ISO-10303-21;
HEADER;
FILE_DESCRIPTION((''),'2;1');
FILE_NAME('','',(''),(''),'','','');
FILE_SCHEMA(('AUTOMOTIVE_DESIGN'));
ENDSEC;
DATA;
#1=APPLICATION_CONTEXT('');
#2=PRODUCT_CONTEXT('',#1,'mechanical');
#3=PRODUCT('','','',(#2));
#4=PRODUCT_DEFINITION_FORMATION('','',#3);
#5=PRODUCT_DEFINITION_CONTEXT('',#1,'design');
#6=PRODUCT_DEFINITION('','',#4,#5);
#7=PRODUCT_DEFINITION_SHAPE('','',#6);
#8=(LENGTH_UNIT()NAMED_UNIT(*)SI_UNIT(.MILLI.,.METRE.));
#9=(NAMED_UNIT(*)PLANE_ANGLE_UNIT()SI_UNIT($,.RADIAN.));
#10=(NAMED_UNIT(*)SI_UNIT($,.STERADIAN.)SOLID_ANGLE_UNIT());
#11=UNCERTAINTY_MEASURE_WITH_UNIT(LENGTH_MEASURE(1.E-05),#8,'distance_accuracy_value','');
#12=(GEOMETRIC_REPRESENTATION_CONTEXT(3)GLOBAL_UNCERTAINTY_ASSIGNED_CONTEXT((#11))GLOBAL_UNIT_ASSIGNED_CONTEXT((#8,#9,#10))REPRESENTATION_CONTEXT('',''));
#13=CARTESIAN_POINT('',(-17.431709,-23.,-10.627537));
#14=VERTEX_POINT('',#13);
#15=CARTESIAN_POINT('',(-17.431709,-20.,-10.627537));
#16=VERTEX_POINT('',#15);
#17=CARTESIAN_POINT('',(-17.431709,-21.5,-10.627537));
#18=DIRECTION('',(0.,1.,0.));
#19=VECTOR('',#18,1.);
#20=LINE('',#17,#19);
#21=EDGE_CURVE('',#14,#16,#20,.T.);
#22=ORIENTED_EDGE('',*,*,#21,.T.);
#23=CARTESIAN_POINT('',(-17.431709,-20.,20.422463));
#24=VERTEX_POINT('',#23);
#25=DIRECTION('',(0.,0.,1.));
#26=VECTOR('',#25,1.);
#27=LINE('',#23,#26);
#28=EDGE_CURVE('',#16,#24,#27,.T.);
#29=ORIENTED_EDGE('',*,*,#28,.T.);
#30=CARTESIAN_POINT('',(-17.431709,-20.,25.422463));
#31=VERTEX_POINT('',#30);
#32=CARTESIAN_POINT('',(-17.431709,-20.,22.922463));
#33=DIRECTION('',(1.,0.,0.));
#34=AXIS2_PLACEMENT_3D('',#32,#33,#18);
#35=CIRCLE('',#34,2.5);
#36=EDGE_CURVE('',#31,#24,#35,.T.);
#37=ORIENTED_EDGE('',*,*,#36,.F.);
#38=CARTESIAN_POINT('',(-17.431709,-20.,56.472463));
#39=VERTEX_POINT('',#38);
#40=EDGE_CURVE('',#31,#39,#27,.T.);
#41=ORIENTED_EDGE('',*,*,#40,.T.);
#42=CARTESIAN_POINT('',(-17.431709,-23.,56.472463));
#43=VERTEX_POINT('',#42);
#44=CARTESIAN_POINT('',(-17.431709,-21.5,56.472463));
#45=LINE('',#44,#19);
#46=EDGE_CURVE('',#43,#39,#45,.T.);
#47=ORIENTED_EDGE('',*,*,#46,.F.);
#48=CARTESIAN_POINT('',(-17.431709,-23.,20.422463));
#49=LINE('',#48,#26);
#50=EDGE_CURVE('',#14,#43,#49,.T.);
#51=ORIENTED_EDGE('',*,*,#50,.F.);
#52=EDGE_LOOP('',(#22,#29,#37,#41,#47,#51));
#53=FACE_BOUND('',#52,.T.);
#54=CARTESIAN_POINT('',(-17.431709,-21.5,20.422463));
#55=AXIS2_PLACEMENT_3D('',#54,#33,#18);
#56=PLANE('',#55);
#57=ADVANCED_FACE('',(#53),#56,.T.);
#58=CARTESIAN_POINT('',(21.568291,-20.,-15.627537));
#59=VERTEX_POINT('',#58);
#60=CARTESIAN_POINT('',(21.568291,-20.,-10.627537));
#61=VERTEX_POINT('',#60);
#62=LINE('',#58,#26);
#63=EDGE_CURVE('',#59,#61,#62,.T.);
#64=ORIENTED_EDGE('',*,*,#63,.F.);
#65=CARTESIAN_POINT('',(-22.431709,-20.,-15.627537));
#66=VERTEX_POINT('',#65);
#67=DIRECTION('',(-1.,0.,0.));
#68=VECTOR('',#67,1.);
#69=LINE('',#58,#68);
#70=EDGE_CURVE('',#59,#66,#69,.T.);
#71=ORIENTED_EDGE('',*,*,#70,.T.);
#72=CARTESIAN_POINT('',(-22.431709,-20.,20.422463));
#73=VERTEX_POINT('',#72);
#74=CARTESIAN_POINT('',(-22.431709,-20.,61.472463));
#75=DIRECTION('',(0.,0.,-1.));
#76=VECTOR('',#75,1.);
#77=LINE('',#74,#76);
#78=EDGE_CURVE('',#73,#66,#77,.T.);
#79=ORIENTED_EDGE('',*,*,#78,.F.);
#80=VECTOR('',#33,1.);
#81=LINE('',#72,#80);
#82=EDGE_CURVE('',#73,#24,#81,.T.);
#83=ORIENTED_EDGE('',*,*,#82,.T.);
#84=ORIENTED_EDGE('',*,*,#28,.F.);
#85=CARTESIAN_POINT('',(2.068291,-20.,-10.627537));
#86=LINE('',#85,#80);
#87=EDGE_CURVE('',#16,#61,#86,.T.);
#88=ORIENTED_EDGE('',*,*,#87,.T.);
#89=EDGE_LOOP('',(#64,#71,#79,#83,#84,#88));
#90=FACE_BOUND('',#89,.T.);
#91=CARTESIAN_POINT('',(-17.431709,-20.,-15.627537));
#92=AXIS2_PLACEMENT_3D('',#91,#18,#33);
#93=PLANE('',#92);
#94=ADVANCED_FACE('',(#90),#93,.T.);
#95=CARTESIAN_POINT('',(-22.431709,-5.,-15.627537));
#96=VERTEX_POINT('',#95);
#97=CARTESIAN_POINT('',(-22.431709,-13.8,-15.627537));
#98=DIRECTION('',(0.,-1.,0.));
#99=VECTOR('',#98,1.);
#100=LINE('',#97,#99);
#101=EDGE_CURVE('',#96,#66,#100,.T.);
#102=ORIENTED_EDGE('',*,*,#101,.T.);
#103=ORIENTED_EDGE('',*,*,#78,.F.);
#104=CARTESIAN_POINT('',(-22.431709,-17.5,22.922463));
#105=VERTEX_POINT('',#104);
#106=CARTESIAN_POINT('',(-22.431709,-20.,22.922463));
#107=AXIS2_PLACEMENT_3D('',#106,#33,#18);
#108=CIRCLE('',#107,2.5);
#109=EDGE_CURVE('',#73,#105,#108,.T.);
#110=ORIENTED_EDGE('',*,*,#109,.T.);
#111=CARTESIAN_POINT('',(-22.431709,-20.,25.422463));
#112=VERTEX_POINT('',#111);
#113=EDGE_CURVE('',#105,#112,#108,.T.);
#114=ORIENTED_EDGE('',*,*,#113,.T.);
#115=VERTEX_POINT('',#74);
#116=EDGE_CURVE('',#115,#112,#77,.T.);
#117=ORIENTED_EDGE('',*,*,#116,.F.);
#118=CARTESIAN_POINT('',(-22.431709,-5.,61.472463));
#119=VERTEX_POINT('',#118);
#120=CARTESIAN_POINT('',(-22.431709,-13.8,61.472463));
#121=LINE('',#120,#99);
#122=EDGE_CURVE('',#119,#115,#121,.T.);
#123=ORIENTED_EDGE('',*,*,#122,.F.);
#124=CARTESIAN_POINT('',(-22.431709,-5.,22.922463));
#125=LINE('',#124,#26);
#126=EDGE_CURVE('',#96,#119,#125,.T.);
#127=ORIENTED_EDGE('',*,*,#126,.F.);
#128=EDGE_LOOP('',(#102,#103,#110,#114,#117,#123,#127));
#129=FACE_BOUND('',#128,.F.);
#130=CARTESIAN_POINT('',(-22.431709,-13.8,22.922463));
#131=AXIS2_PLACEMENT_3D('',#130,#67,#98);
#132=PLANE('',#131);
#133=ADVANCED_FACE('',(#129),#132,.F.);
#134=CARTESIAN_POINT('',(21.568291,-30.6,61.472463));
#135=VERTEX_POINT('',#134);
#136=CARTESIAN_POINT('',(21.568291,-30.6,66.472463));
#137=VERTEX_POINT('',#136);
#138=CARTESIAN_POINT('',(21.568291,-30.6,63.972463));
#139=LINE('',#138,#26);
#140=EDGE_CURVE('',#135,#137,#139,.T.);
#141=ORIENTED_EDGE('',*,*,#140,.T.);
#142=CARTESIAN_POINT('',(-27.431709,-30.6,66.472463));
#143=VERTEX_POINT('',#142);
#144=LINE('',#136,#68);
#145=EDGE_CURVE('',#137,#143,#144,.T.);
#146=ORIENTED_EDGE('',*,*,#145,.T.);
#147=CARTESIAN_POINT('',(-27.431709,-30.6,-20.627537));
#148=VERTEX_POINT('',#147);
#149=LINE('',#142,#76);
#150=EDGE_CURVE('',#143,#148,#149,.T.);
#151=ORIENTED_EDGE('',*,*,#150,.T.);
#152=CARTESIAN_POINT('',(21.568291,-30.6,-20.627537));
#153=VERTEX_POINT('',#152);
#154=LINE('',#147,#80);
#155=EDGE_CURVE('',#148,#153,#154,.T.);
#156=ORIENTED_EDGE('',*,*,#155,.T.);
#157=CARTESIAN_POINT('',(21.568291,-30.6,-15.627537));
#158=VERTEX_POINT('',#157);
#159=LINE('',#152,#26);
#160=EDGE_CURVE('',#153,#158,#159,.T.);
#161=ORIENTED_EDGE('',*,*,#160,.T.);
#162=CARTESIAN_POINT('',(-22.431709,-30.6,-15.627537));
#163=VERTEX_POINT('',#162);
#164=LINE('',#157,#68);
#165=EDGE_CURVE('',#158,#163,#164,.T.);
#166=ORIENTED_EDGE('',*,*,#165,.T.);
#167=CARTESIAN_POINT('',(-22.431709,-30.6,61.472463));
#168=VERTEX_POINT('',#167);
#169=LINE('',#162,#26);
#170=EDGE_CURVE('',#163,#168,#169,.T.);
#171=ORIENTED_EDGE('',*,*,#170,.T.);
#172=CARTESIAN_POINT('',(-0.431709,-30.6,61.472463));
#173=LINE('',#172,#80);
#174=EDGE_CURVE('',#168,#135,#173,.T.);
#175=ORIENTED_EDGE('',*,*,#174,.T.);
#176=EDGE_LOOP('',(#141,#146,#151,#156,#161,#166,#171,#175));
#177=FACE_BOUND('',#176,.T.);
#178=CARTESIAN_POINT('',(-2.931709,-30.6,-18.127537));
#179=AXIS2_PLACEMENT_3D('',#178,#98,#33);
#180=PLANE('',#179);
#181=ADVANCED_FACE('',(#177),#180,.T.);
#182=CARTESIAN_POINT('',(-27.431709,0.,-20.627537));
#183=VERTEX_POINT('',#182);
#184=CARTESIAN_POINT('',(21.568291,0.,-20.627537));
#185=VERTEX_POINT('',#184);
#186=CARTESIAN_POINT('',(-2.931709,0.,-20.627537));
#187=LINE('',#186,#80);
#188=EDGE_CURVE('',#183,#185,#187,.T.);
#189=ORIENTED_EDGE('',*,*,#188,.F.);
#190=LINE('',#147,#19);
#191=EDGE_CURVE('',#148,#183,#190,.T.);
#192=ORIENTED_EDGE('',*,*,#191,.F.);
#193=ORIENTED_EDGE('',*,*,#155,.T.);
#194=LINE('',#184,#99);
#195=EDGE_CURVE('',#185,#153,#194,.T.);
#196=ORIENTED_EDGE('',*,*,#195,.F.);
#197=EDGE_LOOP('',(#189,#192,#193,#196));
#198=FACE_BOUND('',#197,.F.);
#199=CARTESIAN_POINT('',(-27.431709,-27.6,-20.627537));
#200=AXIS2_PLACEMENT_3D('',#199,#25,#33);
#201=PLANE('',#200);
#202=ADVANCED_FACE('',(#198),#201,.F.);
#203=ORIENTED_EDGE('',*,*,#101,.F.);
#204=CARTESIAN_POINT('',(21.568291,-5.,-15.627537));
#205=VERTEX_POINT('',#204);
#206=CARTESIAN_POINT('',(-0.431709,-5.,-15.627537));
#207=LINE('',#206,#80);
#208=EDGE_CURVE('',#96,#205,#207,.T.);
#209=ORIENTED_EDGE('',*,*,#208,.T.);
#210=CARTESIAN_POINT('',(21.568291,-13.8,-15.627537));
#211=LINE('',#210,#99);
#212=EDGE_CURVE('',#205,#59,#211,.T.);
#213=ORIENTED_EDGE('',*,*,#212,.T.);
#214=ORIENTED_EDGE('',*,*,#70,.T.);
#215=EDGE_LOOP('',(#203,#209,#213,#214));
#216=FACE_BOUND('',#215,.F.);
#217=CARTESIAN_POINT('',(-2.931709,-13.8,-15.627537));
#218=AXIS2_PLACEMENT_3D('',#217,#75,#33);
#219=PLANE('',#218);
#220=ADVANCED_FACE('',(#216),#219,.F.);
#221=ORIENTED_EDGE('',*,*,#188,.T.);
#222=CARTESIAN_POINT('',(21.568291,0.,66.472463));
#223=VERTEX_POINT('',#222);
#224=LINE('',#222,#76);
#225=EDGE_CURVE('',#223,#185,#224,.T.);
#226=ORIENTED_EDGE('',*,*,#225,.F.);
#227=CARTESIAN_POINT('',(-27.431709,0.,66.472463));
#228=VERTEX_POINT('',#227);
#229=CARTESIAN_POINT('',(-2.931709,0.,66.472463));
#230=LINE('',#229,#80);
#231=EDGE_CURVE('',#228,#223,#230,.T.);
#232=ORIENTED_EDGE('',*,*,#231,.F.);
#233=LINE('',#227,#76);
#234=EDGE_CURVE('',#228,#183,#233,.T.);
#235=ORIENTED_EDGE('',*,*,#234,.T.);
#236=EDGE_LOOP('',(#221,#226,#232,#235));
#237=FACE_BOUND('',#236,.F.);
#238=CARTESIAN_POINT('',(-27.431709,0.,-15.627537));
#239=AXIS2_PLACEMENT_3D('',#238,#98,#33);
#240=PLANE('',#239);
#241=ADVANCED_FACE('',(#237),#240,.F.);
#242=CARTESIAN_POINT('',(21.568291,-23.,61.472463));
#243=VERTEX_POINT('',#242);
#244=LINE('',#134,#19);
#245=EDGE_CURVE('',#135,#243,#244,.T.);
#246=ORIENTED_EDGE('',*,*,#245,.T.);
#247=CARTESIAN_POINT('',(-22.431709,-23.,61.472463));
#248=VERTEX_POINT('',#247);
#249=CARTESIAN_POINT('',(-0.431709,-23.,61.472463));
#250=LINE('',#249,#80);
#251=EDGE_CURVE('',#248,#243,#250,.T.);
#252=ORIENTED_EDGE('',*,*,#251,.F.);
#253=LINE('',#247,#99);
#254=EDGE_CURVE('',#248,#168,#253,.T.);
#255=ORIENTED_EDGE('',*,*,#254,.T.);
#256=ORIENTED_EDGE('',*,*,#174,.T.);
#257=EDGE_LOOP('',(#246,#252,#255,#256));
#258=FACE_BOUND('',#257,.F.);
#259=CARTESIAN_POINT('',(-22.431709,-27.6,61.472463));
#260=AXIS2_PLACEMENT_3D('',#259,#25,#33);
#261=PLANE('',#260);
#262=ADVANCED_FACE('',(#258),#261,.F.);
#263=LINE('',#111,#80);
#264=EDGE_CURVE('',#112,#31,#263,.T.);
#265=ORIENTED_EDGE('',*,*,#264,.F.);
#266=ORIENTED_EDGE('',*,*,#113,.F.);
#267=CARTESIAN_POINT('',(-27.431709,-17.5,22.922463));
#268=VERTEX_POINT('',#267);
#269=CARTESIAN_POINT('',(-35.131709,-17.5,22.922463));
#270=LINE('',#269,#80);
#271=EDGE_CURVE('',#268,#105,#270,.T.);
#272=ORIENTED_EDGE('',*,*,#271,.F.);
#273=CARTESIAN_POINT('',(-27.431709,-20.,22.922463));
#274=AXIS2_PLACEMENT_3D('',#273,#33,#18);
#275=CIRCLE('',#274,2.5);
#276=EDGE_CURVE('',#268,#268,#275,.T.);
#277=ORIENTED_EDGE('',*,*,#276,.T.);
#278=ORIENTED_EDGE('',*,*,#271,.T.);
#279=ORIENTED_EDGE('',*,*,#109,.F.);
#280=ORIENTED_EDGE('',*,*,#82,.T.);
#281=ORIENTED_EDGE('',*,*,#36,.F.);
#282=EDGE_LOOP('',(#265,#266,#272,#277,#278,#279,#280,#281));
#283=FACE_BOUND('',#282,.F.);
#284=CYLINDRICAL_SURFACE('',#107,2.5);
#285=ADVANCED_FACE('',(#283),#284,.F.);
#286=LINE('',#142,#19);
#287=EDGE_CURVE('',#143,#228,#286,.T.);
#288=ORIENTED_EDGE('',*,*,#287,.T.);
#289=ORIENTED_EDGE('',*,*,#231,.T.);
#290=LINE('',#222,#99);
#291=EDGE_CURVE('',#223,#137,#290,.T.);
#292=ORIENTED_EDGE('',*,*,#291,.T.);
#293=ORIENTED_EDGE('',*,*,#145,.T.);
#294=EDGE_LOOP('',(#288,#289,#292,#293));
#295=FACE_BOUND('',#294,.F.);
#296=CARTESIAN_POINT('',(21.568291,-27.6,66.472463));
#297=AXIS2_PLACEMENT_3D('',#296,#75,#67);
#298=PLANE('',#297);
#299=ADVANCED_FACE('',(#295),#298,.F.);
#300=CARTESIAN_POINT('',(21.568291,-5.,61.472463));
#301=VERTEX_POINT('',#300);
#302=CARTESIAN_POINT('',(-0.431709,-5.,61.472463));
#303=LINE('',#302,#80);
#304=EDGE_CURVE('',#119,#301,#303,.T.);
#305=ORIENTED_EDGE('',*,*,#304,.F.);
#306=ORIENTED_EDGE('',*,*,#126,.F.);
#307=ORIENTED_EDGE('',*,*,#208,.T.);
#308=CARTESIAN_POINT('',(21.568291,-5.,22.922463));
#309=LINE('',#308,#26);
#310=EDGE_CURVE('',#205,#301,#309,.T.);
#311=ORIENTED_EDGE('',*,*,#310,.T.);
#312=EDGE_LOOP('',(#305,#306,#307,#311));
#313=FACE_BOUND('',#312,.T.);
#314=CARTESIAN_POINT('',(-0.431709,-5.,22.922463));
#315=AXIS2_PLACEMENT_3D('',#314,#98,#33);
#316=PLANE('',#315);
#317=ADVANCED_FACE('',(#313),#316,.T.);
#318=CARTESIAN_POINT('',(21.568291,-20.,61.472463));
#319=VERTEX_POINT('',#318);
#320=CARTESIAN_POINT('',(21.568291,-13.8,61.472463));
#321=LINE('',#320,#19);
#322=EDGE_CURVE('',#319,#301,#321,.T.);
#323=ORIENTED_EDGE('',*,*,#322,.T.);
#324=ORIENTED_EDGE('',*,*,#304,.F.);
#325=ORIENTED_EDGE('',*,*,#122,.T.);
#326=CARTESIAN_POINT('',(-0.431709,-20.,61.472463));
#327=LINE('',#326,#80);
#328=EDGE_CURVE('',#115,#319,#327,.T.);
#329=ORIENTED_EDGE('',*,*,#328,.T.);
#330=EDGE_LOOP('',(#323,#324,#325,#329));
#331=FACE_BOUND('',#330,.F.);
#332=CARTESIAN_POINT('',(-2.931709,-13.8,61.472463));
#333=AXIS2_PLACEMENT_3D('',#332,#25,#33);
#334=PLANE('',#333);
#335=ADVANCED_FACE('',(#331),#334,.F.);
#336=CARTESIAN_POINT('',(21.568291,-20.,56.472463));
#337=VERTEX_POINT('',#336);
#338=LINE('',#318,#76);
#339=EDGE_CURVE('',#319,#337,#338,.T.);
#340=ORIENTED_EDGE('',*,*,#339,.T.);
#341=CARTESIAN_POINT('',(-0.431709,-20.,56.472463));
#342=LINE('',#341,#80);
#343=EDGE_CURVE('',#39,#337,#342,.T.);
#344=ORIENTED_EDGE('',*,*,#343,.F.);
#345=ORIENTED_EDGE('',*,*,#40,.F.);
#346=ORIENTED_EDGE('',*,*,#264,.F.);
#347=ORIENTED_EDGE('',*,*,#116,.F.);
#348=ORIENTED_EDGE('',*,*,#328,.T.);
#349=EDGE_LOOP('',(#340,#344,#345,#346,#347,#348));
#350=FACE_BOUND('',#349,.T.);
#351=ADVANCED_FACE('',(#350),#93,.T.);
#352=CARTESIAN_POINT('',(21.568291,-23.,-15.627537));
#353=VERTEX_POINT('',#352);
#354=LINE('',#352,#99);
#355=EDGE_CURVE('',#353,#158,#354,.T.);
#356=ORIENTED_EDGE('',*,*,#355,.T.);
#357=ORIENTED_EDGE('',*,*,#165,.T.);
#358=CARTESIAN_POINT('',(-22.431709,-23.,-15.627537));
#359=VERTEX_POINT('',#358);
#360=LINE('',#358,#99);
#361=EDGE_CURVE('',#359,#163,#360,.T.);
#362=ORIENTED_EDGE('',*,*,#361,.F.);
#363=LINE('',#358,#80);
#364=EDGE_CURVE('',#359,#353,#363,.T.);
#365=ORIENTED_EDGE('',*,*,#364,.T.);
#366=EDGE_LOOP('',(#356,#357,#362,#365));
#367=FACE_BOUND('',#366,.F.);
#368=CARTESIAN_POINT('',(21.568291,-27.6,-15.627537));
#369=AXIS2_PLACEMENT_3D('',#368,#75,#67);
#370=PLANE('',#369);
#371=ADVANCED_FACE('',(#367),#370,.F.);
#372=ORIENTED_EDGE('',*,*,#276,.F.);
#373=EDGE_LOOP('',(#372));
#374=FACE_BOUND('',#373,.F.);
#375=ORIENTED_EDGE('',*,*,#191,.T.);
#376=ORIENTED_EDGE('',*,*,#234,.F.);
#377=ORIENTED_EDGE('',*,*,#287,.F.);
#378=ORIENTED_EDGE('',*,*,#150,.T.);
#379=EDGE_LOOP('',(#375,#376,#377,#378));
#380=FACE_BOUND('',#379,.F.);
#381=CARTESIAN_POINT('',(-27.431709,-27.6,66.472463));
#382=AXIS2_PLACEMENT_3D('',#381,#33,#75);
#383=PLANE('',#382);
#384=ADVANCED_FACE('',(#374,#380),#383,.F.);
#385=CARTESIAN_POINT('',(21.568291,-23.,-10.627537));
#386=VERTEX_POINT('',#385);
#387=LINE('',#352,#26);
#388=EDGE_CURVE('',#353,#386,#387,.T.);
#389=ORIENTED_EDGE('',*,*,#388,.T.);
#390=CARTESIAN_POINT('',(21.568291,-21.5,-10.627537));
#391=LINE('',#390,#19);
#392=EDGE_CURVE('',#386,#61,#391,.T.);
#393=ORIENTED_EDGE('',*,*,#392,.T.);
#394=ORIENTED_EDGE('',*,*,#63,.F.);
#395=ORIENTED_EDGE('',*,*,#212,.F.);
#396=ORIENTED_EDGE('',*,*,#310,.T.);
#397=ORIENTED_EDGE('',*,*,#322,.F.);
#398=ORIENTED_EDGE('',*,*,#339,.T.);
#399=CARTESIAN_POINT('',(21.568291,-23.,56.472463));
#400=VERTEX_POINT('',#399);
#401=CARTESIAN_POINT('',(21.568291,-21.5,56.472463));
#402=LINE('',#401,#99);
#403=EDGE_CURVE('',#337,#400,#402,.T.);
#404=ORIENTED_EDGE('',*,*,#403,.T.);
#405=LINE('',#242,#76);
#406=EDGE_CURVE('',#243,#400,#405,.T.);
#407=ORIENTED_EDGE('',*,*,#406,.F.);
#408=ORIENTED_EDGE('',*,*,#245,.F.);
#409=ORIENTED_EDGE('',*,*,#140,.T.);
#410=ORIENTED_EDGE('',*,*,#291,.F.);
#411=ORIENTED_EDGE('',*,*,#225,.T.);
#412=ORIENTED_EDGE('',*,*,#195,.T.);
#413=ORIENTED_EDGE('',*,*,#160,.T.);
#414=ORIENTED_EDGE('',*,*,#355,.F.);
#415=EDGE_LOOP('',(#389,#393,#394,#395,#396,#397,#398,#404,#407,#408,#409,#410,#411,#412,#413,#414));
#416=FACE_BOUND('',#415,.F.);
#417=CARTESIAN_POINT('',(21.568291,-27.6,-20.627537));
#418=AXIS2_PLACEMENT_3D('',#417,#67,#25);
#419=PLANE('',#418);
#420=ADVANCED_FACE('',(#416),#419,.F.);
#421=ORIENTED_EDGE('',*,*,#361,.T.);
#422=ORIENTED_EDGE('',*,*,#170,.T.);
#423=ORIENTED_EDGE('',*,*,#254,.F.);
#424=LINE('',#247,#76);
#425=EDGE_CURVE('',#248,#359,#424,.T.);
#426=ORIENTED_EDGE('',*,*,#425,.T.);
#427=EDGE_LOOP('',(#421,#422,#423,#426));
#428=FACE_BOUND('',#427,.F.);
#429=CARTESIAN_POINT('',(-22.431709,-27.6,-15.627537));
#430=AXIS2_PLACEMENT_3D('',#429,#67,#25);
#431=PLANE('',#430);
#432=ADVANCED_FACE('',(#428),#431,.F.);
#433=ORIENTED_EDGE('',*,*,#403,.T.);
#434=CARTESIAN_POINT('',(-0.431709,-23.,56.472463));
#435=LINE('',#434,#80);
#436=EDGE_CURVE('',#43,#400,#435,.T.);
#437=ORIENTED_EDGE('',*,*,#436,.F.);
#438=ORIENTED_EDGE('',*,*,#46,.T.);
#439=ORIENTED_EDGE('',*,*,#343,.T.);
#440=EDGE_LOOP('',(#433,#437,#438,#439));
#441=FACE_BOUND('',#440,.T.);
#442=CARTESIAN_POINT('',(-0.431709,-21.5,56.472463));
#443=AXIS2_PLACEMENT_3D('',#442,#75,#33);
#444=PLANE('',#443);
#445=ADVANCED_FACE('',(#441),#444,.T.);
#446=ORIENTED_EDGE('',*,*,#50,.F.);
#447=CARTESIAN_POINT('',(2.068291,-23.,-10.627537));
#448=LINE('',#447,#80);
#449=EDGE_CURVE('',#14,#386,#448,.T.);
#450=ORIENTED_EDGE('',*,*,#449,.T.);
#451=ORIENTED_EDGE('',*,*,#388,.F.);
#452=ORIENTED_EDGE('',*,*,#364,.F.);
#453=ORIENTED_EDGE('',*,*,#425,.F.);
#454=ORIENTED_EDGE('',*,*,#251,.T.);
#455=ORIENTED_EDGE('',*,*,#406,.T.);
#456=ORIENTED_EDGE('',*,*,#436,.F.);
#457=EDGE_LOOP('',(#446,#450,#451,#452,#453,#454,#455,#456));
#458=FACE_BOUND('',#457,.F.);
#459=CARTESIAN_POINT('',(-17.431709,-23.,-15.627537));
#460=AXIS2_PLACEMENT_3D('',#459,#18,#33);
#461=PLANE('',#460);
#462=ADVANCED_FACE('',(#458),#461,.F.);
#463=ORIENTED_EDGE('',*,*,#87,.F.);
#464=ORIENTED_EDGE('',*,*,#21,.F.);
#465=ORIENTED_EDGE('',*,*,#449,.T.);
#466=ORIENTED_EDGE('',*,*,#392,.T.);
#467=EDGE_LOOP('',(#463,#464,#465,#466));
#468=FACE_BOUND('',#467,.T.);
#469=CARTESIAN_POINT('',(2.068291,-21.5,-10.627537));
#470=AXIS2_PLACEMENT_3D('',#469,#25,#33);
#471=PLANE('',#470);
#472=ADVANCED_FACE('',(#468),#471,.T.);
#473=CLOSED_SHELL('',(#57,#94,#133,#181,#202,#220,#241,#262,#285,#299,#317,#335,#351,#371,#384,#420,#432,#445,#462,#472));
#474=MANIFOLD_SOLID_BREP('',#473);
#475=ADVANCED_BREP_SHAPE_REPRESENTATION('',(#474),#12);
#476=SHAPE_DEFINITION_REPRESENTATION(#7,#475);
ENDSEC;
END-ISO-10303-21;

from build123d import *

# Parameters (mm, degrees)
F0_W      = 44
F0_H      = 77.1
F1_DEPTH  = 5
F2_W      = 27.6
F2_H      = 77.1
F3_DEPTH  = 5
F4_W      = 49
F4_H      = 27.6
F5_DEPTH  = 5
F6_W      = 49
F6_H      = 27.6
F7_DEPTH  = 5
F8_W      = 44
F8_H      = 3
F9_DEPTH  = 5
F10_W     = 3
F10_H     = 72.1
F11_DEPTH = 5
F12_W     = 39
F12_H     = 3
F13_DEPTH = 5
F14_W     = 44
F14_H     = 5
F15_DEPTH = 3
F16_R     = 2.5
F17_DEPTH = 12.7


with BuildPart() as f1:
    # F0 (on Front) → F1 (new body)
    with BuildSketch(Plane.XZ):
        with Locations((-0.431709, 22.922463)):
            Rectangle(F0_W, F0_H)
    extrude(amount=F1_DEPTH)

    # F2 (on face) → F3 (join)
    with BuildSketch(Plane(origin=(-22.431709, 0, 0), x_dir=(0, -1, 0), z_dir=(-1, 0, 0))):
        with Locations((13.8, 22.922463)):
            Rectangle(F2_W, F2_H)
    extrude(amount=F3_DEPTH)

    # F4 (on face) → F5 (join)
    with BuildSketch(Plane.XY.offset(61.472463)):
        with Locations((-2.931709, -13.8)):
            Rectangle(F4_W, F4_H)
    extrude(amount=F5_DEPTH)

    # F6 (on face) → F7 (join)
    with BuildSketch(Plane(origin=(0, 0, -15.627537), x_dir=(1, 0, 0), z_dir=(0, 0, -1))):
        with Locations((-2.931709, 13.8)):
            Rectangle(F6_W, F6_H)
    extrude(amount=F7_DEPTH)

    # F8 (on face) → F9 (join)
    with BuildSketch(Plane(origin=(0, 0, 61.472463), x_dir=(1, 0, 0), z_dir=(0, 0, -1))):
        with Locations((-0.431709, 21.5)):
            Rectangle(F8_W, F8_H)
    extrude(amount=F9_DEPTH)

    # F10 (on face) → F11 (join)
    with BuildSketch(Plane.YZ.offset(-22.431709)):
        with Locations((-21.5, 20.422463)):
            Rectangle(F10_W, F10_H)
    extrude(amount=F11_DEPTH)

    # F12 (on face) → F13 (join)
    with BuildSketch(Plane.XY.offset(-15.627537)):
        with Locations((2.068291, -21.5)):
            Rectangle(F12_W, F12_H)
    extrude(amount=F13_DEPTH)

    # F14 (on face) → F15 (join)
    with BuildSketch(Plane.XZ.offset(27.6)):
        Polygon((-27.431709, -20.627537), (21.568291, -20.627537), (21.568291, -15.627537), (-22.431709, -15.627537), (-27.431709, -15.627537), align=None)
        Polygon((-27.431709, 66.472463), (-27.431709, -15.627537), (-22.431709, -15.627537), (-22.431709, 61.472463), (-22.431709, 66.472463), align=None)
        with Locations((-0.431709, 63.972463)):
            Rectangle(F14_W, F14_H)
    extrude(amount=F15_DEPTH)

    # F16 (on face) → F17 (cut, symmetric)
    with BuildSketch(Plane.YZ.offset(-22.431709)):
        with Locations((-20, 22.922463)):
            Circle(F16_R)
    extrude(amount=F17_DEPTH, both=True, mode=Mode.SUBTRACT)


solid = f1.part
